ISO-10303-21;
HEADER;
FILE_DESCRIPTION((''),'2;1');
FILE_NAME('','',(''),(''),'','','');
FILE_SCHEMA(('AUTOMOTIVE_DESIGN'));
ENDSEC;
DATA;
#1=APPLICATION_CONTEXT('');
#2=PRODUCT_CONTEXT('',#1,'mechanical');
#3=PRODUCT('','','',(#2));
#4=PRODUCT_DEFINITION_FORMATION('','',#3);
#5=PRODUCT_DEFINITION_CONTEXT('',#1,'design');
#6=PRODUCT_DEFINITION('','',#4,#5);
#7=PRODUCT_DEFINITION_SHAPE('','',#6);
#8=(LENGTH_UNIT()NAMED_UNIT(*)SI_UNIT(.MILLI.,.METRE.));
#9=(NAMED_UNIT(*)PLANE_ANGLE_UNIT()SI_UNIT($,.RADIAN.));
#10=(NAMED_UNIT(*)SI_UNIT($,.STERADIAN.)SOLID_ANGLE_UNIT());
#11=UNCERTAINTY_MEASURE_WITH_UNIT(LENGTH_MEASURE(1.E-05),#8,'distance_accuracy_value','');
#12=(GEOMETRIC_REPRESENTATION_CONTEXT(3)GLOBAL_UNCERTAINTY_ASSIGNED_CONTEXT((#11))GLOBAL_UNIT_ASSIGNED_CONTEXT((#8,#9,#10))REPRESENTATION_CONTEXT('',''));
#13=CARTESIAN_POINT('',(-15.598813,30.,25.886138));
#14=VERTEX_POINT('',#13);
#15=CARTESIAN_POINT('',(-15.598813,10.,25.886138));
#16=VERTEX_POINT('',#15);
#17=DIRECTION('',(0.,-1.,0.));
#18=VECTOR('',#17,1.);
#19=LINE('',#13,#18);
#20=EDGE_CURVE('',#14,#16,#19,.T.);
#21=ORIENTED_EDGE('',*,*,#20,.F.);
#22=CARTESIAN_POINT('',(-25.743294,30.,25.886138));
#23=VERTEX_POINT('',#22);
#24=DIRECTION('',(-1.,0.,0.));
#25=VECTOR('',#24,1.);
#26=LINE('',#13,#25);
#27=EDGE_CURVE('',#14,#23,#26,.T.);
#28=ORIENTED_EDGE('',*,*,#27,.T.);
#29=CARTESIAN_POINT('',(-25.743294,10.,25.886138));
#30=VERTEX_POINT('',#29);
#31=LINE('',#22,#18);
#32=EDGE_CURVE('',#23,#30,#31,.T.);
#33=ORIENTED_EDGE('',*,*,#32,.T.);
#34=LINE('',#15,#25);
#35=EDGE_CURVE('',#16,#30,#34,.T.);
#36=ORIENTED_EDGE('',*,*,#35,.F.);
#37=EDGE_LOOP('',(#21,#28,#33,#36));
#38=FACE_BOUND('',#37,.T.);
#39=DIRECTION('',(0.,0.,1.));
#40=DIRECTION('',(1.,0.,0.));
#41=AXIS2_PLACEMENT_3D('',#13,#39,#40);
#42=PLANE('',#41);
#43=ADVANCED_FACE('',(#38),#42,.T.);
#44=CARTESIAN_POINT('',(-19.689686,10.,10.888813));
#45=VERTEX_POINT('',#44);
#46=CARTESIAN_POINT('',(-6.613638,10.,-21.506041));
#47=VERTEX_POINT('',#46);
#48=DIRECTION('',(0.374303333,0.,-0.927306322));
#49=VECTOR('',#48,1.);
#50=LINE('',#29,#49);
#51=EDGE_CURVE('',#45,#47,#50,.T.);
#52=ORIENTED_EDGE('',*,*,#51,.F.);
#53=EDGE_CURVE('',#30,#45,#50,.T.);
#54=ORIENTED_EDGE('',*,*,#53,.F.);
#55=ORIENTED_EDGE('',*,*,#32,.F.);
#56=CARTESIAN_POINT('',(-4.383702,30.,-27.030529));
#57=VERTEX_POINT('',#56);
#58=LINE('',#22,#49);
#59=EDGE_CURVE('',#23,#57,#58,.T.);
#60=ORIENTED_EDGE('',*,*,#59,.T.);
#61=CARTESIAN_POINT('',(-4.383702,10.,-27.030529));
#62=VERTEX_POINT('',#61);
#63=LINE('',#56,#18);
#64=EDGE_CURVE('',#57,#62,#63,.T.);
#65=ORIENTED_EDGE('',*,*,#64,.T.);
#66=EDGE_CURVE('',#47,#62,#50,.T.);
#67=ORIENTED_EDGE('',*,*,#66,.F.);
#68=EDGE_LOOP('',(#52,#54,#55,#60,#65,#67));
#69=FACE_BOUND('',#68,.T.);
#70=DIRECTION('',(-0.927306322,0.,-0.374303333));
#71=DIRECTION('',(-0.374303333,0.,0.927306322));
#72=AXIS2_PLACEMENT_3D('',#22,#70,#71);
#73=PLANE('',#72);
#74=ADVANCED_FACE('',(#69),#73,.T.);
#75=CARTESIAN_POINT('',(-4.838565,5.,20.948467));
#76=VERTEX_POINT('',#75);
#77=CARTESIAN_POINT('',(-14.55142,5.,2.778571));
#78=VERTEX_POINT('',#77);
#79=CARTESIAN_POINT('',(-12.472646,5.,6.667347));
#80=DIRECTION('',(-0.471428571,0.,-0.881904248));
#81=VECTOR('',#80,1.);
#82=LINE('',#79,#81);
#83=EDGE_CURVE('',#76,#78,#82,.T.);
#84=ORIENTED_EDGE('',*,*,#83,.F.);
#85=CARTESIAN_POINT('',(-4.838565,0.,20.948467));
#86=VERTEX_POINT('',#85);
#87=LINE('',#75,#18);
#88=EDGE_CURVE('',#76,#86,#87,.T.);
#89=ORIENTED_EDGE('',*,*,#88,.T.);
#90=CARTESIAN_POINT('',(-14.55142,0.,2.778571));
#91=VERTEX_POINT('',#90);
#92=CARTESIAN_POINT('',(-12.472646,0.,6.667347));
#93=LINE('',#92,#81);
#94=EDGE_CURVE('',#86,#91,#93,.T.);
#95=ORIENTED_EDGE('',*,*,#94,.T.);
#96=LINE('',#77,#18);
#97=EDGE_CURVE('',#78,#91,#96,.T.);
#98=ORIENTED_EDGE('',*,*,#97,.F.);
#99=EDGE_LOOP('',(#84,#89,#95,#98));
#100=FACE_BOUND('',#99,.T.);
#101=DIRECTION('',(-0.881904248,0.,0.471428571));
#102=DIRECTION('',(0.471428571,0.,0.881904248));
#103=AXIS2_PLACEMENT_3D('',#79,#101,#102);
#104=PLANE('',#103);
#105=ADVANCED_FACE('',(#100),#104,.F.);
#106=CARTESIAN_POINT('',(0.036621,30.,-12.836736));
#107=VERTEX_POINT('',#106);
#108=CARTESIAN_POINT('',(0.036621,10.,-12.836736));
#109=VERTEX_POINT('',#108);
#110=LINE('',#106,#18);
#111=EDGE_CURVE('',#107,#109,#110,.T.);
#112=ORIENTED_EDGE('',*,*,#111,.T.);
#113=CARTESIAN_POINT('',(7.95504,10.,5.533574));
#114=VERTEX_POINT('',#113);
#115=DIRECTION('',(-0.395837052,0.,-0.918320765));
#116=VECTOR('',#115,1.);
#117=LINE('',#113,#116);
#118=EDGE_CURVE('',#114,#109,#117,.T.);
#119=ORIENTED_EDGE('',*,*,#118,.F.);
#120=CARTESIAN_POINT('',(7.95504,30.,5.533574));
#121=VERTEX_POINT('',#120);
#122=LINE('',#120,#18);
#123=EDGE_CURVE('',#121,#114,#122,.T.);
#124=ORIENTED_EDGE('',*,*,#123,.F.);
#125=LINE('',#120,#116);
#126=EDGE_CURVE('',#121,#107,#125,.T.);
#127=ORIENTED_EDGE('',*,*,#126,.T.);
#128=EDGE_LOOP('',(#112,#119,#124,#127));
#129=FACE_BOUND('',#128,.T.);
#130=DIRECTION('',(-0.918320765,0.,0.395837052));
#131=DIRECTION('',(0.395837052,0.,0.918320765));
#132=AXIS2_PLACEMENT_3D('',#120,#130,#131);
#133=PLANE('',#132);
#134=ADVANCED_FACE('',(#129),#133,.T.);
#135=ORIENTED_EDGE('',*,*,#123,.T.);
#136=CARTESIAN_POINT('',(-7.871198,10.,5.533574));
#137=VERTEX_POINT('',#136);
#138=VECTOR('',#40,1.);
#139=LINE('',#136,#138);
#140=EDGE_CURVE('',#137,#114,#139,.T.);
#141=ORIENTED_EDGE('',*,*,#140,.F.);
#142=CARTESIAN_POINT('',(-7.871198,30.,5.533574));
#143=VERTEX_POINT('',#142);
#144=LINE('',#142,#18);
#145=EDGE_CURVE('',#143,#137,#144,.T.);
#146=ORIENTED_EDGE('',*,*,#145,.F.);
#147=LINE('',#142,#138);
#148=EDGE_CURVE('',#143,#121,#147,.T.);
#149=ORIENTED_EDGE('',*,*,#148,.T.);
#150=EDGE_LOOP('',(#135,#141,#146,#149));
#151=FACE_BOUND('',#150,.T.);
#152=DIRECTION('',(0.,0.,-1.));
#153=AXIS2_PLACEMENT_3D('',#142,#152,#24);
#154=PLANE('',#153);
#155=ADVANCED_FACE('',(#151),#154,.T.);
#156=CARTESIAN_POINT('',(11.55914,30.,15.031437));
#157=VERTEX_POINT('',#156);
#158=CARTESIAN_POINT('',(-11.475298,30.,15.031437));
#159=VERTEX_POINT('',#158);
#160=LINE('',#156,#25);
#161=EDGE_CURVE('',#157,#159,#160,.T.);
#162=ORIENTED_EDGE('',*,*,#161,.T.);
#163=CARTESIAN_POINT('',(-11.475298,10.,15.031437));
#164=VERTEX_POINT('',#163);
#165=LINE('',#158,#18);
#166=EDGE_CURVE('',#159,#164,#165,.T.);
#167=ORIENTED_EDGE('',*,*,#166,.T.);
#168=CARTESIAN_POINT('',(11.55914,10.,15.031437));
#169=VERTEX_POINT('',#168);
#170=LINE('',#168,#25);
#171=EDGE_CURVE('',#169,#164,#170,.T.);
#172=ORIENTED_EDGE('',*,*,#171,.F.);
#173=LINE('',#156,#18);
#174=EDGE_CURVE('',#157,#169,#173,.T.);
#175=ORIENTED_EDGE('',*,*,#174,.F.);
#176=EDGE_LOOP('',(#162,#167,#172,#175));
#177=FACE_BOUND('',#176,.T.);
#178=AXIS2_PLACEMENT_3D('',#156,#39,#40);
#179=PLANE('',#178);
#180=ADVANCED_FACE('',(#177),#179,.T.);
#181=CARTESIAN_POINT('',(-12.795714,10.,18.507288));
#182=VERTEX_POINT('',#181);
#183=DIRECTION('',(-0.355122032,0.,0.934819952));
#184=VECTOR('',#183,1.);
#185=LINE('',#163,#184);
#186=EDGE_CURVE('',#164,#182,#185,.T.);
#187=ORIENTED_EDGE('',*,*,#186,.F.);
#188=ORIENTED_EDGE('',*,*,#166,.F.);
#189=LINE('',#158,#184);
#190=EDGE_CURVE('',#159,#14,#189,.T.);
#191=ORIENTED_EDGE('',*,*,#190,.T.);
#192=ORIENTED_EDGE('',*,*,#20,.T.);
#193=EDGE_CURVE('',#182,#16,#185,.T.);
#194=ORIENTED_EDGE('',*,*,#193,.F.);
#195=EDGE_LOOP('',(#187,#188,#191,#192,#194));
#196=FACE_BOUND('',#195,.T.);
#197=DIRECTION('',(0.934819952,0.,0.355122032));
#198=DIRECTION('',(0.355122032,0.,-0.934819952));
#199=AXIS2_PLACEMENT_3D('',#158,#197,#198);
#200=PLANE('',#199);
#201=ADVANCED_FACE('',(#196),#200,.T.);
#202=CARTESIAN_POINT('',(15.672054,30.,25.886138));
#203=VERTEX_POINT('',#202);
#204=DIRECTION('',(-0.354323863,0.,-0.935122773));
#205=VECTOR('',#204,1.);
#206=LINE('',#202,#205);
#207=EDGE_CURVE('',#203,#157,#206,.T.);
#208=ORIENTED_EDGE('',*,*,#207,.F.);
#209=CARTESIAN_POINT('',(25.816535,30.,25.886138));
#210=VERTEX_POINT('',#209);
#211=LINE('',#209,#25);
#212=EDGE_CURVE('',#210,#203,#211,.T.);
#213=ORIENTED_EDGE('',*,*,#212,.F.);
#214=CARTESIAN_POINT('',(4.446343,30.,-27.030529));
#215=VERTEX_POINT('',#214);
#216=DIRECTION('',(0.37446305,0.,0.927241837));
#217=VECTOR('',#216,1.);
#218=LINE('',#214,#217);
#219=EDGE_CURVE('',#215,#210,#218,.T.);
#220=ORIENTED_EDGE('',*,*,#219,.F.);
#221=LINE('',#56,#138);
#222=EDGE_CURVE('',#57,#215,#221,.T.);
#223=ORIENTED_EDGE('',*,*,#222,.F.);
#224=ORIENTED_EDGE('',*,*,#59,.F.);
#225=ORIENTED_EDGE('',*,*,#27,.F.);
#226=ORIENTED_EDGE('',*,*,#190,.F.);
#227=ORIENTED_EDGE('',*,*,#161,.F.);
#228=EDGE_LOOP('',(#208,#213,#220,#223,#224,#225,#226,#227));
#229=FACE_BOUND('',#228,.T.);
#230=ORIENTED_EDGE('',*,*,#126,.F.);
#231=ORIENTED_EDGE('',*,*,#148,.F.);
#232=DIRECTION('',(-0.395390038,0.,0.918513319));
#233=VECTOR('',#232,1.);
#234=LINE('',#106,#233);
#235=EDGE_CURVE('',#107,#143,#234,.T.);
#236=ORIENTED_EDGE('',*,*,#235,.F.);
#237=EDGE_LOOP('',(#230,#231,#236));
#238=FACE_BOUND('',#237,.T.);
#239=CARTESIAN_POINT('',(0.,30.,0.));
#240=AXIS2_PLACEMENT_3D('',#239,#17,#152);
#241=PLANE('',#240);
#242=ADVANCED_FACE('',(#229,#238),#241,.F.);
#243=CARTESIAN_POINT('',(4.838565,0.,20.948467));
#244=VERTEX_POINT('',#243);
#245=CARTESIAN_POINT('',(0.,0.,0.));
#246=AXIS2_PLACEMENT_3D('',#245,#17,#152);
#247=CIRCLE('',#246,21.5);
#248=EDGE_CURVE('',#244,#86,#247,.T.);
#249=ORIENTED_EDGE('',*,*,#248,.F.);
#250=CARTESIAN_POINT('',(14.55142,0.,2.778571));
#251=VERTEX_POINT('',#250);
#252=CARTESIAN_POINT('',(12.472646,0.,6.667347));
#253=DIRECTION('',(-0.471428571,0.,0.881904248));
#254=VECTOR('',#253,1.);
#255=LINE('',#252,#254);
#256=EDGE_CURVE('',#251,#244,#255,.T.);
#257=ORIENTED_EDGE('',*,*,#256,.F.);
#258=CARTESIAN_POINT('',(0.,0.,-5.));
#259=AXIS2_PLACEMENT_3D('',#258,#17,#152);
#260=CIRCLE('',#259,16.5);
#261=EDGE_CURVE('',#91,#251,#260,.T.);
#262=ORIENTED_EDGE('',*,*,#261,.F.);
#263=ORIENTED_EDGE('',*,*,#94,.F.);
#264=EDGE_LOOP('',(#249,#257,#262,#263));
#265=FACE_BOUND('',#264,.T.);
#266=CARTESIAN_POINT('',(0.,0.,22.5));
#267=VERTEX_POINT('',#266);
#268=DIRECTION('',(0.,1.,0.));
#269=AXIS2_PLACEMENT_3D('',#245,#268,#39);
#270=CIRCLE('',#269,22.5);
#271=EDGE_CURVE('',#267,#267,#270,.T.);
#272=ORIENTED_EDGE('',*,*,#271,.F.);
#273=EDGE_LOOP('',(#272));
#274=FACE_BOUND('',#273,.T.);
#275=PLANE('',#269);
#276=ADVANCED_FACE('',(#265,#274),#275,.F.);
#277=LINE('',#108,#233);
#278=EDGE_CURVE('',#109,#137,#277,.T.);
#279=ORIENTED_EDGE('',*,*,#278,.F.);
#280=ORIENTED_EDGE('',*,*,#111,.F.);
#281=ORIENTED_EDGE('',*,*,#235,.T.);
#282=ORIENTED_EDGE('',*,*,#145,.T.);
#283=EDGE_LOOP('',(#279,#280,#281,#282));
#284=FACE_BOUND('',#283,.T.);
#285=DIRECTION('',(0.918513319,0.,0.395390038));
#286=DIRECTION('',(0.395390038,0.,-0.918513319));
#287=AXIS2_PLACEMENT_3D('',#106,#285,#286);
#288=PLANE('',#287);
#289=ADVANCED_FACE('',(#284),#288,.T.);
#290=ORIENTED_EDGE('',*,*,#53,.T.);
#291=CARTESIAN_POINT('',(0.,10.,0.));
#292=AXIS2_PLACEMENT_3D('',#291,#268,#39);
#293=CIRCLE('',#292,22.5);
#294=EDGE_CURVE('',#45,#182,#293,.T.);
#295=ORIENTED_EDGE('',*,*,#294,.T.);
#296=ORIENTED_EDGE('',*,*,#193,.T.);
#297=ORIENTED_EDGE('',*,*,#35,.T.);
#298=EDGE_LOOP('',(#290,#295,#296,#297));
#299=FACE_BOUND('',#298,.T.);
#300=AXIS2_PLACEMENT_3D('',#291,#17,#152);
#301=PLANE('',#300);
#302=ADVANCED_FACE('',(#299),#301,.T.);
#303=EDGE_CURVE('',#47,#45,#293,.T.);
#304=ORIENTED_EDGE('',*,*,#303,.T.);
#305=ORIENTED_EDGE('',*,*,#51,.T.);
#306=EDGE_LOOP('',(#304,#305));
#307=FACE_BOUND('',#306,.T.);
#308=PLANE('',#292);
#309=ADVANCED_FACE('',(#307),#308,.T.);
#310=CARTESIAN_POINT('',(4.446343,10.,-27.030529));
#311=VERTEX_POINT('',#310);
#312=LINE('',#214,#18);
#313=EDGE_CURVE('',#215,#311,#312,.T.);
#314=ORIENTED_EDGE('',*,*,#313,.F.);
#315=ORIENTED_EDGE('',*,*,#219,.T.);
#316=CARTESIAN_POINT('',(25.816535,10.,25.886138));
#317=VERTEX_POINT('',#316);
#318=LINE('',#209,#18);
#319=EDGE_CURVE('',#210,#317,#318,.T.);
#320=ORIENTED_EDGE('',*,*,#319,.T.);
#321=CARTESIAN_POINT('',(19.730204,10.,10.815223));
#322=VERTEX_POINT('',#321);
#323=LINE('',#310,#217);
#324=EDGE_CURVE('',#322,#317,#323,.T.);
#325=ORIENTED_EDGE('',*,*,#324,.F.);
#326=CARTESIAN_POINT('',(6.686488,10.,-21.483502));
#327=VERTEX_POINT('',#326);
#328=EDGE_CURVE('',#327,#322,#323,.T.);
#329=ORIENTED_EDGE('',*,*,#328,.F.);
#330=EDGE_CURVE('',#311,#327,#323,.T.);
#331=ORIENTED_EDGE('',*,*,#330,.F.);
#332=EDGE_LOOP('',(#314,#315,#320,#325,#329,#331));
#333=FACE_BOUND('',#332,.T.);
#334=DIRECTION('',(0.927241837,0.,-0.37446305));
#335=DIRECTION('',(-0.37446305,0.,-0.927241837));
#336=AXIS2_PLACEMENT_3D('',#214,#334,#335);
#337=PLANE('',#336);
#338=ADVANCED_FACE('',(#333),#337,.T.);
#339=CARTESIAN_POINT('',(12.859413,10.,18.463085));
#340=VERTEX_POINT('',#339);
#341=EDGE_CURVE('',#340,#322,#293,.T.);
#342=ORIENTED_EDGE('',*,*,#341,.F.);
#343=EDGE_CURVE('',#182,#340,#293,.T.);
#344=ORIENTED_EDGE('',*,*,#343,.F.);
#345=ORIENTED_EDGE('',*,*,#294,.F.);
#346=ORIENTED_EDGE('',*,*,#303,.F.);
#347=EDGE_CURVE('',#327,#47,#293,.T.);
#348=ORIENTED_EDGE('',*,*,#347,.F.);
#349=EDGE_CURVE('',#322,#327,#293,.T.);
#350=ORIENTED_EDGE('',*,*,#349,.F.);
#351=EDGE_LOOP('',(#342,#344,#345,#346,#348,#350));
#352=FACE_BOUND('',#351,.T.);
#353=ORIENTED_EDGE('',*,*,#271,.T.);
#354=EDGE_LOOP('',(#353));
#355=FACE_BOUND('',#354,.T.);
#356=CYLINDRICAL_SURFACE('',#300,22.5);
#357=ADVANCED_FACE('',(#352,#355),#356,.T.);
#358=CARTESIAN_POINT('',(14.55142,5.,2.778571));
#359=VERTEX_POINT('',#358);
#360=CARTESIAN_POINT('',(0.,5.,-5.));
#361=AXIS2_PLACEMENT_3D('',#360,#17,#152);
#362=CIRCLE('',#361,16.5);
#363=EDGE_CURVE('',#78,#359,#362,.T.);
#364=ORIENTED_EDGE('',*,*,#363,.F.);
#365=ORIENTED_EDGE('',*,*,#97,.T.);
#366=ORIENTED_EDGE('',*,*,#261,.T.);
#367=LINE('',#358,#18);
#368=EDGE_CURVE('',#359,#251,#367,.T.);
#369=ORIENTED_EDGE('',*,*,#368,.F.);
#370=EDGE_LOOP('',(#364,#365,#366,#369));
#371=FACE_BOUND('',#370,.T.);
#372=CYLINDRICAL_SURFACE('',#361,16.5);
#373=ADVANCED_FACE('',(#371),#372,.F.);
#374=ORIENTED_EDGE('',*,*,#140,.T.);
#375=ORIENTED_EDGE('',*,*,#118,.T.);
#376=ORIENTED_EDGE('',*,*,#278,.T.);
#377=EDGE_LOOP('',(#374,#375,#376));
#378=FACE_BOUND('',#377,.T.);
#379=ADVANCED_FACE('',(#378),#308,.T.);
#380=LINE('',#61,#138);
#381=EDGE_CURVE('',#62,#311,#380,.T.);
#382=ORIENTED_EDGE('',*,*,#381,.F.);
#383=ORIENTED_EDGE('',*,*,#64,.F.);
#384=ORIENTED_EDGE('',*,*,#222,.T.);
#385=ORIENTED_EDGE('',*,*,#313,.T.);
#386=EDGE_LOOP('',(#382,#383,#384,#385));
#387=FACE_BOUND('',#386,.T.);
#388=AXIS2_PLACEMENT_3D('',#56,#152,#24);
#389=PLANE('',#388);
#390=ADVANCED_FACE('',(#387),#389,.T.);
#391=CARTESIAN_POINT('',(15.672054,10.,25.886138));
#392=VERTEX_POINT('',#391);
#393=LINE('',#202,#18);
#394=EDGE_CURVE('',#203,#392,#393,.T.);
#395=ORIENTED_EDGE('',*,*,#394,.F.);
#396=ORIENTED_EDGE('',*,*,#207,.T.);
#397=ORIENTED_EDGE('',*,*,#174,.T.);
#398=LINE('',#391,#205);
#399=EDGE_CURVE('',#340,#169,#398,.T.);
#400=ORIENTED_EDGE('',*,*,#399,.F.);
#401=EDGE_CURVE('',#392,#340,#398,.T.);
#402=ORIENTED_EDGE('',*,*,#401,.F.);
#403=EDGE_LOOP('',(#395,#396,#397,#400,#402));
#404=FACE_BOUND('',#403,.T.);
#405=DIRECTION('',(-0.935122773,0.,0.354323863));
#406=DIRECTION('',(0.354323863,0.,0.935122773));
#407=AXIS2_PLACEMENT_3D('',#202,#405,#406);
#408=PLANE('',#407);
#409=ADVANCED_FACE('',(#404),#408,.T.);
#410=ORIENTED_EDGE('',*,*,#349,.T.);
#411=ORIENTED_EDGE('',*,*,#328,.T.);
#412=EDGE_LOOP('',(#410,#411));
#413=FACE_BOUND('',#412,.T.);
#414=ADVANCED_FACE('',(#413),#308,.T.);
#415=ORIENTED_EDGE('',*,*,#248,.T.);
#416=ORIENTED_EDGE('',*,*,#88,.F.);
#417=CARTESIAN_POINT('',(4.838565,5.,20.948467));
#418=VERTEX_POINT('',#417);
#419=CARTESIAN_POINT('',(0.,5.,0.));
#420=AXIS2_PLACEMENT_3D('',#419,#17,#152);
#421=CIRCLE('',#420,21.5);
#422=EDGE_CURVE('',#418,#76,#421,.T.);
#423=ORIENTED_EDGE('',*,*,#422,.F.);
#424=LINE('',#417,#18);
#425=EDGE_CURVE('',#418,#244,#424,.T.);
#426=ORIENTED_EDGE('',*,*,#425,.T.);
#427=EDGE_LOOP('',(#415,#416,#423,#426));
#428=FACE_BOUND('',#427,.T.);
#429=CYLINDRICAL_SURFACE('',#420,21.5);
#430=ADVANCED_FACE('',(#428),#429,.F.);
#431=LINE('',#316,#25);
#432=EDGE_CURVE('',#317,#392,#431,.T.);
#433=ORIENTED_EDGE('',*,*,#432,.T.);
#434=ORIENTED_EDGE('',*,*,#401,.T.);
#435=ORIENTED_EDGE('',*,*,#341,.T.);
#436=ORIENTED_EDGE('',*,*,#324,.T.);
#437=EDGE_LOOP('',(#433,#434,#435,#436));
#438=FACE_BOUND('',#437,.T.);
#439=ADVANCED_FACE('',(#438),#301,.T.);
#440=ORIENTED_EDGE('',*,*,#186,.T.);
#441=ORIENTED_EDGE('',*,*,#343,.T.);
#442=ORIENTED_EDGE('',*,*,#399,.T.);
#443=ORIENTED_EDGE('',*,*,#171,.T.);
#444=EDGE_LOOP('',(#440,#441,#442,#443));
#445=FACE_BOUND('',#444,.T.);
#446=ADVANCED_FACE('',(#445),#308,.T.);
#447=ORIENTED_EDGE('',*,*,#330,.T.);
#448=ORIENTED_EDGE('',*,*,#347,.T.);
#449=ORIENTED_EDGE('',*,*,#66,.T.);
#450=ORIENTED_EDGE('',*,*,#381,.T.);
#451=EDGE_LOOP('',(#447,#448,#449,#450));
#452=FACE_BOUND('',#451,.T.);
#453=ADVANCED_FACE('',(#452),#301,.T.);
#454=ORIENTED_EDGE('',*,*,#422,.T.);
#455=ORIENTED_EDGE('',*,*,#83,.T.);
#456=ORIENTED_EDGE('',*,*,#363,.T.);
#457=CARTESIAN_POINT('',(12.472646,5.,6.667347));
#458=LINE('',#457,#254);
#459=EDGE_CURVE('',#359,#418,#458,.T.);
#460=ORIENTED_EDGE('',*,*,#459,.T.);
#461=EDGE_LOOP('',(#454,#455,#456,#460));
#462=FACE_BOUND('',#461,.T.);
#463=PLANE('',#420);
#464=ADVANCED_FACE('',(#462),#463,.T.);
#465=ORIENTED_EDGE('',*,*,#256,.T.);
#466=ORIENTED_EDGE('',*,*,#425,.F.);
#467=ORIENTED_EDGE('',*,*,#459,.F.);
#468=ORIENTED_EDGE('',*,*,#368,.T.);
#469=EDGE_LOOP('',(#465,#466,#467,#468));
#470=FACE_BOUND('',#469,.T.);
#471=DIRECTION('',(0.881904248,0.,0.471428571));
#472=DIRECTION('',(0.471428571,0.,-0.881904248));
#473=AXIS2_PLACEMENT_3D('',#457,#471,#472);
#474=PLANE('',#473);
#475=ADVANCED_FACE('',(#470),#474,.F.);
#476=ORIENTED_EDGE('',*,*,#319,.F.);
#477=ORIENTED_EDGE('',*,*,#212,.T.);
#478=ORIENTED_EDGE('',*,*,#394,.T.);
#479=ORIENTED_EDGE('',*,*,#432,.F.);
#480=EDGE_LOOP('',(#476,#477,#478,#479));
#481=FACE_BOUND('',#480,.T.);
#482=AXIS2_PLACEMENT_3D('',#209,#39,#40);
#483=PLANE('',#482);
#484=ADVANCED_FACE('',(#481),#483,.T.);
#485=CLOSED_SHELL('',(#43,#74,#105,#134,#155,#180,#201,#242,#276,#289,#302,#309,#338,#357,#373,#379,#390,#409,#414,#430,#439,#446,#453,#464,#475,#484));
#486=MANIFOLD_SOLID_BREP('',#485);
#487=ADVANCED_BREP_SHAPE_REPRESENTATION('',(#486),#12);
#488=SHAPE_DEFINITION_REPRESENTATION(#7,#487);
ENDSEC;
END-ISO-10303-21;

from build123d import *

# Parameters (mm, degrees)
SKETCH1_R           = 22.5
BOSS_EXTRUDE1_DEPTH = 10
BOSS_EXTRUDE2_DEPTH = 20
SKETCH3_R           = 16.5
CUT_EXTRUDE2_DEPTH  = 5


with BuildPart() as part:
    # Sketch1 → Boss-Extrude1 (new body)
    with BuildSketch(Plane(origin=(0, 0, 0), x_dir=(1, 0, 0), z_dir=(0, 1, 0))):
        with Locations(Location((0, 0, 0), (0, 0, 270))):
            Circle(SKETCH1_R)
    extrude(amount=BOSS_EXTRUDE1_DEPTH)

    # Sketch2 → Boss-Extrude2 (add)
    with BuildSketch(Plane(origin=(0, 10, 0), x_dir=(1, 0, 0), z_dir=(0, 1, 0))):
        Polygon((-4.383701715, 27.030528991), (4.446343023, 27.030528991), (25.81653533, -25.886137676), (15.672054161, -25.886137676), (11.559140165, -15.031436821), (-11.47529827, -15.031436821), (-15.598812559, -25.886137676), (-25.743293729, -25.886137676), align=None)
        Polygon((0.036620801, 12.836735588), (-7.871198377, -5.533573573), (7.955040272, -5.533573573), align=None, mode=Mode.SUBTRACT)
    extrude(amount=BOSS_EXTRUDE2_DEPTH)

    # Sketch3 → Cut-Extrude2 (cut)
    with BuildSketch(Plane.XZ):
        with BuildLine():
            ThreePointArc((-14.551420086, 2.778571429), (0, 11.5), (14.551420086, 2.778571429))
            Line((14.551420086, 2.778571429), (4.83856504, 20.948467447))
            ThreePointArc((4.83856504, 20.948467447), (0, 21.5), (-4.83856504, 20.948467447))
            Line((-4.83856504, 20.948467447), (-14.551420086, 2.778571429))
        make_face()
        with Locations((0, -5)):
            Circle(SKETCH3_R)
    extrude(amount=-CUT_EXTRUDE2_DEPTH, mode=Mode.SUBTRACT)


solid = part.part
